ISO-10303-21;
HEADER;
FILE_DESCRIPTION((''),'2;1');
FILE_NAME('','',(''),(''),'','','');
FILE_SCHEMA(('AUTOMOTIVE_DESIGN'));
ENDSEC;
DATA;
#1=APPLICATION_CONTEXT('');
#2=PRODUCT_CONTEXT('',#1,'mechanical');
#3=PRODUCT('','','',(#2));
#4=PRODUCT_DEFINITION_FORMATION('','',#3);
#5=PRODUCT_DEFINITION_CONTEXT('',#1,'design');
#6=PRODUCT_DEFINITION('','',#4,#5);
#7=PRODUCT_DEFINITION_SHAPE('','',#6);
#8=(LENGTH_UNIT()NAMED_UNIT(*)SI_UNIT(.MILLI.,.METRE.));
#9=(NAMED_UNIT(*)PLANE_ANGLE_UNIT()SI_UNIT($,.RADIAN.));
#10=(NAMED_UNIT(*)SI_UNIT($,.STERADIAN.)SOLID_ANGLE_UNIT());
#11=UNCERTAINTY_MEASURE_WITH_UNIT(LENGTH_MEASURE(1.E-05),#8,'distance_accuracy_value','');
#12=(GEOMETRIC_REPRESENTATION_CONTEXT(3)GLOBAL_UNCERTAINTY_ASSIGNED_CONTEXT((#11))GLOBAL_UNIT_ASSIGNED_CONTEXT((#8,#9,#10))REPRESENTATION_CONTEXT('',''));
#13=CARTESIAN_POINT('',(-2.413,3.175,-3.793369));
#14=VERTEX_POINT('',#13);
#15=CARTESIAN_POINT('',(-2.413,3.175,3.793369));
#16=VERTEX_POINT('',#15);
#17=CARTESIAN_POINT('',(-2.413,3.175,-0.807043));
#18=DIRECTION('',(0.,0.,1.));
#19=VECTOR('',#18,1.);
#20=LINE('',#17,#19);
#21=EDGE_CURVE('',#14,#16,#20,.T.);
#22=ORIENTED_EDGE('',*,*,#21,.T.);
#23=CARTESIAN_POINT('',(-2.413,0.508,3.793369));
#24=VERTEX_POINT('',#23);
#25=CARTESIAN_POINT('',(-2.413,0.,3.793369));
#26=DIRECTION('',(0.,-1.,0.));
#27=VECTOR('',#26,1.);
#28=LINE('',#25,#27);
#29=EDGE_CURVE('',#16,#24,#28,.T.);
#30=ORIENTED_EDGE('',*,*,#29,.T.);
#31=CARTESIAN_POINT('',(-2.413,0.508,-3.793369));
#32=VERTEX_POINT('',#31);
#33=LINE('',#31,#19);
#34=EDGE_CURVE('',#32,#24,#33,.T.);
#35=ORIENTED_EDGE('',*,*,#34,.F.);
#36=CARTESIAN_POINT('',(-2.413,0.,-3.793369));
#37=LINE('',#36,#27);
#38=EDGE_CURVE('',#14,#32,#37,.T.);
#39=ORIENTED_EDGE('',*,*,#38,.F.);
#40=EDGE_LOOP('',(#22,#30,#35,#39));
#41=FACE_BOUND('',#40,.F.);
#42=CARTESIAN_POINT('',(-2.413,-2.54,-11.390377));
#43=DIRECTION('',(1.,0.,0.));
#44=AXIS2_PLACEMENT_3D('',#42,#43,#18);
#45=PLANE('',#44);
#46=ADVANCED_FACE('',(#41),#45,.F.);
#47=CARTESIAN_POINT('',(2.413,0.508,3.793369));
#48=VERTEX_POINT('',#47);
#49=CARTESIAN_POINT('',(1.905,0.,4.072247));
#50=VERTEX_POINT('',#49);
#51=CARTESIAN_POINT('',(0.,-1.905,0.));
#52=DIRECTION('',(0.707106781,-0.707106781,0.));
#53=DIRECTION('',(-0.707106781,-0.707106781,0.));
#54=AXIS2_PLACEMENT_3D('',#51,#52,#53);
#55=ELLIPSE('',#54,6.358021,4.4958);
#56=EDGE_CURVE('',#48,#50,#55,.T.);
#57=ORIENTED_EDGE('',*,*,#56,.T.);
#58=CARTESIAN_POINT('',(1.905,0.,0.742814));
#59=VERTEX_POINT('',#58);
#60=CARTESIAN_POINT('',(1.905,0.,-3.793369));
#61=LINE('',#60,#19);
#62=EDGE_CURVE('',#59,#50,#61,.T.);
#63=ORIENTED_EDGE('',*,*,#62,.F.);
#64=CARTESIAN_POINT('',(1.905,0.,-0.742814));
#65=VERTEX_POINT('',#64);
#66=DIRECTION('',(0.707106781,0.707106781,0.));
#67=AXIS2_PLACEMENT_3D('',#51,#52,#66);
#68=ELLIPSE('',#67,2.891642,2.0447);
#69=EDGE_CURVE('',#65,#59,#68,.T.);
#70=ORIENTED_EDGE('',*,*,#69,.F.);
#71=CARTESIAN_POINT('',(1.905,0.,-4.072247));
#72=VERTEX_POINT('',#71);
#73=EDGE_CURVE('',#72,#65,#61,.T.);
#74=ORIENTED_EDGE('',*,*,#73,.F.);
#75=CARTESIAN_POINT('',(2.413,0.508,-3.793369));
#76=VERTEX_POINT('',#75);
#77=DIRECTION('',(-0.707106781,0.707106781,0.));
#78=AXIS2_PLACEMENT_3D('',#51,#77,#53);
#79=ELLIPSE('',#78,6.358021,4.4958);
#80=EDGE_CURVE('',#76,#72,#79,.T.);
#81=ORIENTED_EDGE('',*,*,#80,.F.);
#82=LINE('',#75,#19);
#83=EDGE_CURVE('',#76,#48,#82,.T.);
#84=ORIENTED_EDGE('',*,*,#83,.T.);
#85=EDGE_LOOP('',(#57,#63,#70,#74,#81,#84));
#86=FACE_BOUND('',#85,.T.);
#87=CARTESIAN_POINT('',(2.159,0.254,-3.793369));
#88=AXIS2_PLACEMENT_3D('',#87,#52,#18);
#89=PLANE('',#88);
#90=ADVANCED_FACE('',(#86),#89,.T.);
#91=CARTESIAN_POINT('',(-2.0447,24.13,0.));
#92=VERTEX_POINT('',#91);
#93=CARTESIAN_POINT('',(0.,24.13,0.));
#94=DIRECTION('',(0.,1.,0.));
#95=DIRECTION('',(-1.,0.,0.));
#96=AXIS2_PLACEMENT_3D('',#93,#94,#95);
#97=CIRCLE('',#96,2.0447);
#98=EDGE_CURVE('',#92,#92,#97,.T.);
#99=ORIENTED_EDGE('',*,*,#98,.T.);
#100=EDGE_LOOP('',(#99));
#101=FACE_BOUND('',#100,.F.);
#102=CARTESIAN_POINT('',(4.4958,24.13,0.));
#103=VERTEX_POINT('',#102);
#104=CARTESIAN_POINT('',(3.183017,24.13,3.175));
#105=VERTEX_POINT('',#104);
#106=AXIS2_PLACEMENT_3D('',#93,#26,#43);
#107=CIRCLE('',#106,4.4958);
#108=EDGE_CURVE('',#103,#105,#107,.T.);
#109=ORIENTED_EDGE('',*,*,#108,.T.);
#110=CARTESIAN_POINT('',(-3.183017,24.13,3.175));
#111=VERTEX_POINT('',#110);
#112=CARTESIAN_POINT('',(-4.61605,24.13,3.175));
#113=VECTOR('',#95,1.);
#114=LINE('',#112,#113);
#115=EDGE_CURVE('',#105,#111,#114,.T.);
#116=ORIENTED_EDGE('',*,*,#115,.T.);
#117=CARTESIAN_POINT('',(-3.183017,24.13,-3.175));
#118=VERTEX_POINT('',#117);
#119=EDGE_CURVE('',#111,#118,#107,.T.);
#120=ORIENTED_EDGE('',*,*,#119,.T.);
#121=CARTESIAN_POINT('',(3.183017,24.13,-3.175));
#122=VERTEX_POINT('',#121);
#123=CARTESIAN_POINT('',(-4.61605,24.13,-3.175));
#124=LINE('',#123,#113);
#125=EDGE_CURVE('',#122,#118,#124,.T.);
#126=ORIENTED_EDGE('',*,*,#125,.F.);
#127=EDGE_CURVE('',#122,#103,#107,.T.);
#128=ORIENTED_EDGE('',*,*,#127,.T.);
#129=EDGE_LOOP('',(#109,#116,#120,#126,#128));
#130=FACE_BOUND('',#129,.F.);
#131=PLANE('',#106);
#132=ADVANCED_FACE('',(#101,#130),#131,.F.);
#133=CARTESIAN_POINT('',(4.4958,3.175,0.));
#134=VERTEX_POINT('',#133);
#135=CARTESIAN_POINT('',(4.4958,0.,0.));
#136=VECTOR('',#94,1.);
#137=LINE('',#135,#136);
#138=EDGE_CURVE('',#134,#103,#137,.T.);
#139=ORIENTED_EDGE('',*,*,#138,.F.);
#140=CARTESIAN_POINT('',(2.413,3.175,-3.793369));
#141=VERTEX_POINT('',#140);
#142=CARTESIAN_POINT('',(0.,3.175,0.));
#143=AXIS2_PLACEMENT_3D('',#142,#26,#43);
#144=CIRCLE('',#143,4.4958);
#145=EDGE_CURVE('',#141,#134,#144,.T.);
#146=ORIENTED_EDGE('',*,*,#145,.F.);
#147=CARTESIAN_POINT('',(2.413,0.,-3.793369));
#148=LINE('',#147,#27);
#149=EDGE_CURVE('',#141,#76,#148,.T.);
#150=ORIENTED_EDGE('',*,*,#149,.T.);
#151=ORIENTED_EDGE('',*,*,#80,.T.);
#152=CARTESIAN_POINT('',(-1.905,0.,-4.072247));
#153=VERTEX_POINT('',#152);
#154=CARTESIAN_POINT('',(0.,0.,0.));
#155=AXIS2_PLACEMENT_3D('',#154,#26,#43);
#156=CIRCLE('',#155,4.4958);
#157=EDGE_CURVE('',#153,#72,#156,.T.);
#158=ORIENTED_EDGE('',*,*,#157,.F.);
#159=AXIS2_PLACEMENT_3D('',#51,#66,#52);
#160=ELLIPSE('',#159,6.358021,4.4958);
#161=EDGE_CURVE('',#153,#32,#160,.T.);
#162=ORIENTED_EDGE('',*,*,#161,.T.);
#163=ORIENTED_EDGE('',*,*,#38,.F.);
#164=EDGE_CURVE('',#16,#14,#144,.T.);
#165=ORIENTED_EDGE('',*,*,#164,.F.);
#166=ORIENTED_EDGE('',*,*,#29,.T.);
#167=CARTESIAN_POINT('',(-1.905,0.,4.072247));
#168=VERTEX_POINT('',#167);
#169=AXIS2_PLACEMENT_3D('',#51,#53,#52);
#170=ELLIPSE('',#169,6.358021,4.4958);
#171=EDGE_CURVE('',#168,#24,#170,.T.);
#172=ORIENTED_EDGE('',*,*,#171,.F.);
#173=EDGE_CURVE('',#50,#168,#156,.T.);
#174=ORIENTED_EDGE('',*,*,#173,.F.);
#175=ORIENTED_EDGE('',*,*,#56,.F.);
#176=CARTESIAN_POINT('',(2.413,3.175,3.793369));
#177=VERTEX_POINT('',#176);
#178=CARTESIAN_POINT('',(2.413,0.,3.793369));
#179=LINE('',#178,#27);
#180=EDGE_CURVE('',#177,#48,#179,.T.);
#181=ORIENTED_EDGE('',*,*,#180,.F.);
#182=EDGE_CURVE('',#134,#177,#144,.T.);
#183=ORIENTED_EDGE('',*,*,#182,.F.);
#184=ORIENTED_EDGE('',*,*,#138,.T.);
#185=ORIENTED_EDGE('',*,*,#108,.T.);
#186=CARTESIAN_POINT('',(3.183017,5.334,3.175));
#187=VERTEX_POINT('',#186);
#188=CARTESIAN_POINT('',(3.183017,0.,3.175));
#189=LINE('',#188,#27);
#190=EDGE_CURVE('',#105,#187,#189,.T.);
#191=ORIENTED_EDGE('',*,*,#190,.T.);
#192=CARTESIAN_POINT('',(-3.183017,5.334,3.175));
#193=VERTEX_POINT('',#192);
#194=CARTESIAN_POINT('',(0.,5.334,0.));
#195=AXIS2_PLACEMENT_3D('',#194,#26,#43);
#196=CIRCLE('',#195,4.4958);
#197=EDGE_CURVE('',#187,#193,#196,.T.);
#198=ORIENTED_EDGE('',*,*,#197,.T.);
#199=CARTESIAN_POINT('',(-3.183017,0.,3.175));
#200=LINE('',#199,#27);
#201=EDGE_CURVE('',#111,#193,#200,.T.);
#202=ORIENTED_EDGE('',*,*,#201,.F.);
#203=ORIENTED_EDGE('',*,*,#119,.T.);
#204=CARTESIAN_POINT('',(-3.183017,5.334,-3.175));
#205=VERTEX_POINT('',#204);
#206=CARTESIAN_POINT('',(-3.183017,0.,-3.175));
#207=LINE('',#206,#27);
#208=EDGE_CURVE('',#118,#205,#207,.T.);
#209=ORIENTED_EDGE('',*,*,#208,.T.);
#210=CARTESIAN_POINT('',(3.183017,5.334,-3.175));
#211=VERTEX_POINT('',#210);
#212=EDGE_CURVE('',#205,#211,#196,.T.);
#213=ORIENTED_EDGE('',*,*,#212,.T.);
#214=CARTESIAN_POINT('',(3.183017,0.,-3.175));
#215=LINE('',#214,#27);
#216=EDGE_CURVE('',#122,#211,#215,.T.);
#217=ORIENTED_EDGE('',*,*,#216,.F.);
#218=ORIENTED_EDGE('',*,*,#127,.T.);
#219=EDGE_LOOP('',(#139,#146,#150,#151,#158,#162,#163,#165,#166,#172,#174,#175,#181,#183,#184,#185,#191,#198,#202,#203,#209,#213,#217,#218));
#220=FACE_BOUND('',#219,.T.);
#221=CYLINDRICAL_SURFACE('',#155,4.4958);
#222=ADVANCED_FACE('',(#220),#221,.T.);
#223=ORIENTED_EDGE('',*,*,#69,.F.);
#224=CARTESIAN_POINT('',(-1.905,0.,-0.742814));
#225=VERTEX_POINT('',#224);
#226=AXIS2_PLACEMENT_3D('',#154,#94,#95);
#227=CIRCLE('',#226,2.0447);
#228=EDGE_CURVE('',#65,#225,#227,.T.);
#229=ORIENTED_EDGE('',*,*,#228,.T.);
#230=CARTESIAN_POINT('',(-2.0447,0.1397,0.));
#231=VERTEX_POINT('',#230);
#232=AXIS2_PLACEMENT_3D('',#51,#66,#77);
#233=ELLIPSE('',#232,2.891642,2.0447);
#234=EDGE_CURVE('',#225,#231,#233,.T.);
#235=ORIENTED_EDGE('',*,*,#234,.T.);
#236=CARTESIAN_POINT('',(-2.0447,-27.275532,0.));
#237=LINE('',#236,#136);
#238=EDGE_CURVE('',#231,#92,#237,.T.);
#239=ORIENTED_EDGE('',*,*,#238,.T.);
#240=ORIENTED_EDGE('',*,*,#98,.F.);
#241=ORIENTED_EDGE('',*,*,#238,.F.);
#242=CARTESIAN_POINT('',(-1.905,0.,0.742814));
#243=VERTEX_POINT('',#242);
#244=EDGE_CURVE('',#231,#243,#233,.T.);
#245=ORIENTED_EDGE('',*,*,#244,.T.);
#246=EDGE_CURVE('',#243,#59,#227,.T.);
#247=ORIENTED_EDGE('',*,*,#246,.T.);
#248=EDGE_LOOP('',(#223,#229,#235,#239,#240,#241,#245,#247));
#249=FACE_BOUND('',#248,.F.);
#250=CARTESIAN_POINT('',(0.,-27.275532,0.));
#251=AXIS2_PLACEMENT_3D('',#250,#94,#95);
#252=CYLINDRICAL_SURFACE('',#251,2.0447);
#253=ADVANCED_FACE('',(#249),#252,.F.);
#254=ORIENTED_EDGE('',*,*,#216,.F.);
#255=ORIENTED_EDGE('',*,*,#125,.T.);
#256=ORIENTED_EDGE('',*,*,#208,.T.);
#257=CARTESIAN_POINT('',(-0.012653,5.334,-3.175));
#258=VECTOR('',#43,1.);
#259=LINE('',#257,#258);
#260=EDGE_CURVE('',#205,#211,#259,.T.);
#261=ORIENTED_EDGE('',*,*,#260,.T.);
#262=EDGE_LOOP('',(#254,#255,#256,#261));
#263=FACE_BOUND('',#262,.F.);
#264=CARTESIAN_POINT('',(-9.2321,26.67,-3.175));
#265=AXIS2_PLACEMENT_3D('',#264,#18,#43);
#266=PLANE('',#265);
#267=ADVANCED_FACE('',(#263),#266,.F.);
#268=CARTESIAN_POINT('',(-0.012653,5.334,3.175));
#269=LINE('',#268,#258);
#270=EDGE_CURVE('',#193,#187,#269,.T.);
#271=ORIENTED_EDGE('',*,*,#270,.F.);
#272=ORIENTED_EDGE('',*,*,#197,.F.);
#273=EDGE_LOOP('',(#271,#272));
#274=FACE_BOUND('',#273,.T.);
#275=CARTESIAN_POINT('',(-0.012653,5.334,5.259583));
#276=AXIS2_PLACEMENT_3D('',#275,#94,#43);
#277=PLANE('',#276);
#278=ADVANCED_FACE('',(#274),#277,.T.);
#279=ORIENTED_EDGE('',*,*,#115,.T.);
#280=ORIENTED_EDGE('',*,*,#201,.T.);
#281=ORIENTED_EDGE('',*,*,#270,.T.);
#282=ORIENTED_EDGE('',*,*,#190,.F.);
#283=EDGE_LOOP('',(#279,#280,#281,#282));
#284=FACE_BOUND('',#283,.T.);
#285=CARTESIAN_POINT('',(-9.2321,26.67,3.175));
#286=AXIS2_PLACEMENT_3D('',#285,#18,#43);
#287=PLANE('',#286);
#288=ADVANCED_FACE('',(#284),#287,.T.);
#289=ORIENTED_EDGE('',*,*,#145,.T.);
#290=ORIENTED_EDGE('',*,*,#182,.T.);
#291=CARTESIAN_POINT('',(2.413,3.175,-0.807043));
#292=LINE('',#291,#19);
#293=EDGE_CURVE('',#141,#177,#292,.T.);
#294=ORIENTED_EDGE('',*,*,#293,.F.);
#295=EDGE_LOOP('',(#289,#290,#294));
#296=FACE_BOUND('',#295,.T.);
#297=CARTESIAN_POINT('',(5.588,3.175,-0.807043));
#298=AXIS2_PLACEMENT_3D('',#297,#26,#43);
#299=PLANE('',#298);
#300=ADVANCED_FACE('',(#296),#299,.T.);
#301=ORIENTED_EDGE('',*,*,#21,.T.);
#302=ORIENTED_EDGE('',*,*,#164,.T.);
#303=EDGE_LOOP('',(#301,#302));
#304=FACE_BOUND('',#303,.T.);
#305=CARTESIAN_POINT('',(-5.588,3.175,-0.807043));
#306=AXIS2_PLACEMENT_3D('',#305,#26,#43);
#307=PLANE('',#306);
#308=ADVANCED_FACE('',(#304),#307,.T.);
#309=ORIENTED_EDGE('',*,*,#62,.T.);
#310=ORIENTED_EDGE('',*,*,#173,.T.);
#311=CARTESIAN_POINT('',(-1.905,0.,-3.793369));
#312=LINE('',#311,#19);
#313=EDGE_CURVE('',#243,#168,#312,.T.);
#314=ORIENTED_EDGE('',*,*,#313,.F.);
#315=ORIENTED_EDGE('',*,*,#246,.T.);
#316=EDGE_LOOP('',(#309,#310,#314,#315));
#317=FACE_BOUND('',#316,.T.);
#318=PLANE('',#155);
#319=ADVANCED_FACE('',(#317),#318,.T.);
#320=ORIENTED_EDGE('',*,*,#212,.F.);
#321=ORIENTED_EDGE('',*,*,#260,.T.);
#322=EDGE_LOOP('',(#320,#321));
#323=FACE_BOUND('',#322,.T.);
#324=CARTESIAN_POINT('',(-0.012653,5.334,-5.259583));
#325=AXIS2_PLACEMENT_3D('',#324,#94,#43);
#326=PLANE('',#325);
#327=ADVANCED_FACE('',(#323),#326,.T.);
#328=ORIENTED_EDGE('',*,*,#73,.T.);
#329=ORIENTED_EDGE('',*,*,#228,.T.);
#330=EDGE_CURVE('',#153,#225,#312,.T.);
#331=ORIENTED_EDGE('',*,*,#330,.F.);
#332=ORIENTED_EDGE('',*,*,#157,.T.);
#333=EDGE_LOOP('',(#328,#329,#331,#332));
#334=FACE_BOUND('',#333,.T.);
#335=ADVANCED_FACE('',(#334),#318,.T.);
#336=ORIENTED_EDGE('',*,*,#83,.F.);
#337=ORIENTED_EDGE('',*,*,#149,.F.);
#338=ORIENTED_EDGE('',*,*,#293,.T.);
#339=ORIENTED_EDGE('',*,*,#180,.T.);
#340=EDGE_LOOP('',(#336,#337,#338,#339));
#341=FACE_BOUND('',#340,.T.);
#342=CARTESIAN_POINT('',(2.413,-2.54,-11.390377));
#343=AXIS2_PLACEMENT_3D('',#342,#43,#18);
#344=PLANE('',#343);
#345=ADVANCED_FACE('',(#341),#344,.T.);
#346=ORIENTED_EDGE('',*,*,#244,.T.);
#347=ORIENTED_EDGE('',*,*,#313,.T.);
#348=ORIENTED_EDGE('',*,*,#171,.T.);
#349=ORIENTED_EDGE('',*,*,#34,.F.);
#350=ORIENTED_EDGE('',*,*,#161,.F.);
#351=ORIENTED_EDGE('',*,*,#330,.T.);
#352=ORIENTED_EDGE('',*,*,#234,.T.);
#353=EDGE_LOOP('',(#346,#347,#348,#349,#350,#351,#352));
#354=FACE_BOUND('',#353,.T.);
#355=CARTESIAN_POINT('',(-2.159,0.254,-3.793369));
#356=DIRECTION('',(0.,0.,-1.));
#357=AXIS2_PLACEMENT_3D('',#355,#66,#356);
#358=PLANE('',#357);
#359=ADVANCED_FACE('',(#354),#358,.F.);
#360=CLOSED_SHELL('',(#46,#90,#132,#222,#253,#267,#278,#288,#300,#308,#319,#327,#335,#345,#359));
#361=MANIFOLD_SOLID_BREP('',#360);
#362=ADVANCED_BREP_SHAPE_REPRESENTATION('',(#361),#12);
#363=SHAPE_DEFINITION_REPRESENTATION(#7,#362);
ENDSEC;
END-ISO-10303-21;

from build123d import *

# Parameters (mm, degrees)
F0_R     = 4.4958
F1_DEPTH = 24.13
F3_W     = 6.35
F3_H     = 21.166668
F4_DEPTH = 5.715
F5_SIZE  = 0.508
F7_W     = 18.438894
F7_H     = 4.169167
F8_DEPTH = 21.336
F10_D    = 4.0894


with BuildPart() as f1:
    # F0 (on Front) → F1 (new body)
    with BuildSketch(Plane.XZ):
        Circle(F0_R)
    extrude(amount=-F1_DEPTH)

    # F3 (on offset) → F4 (cut)
    with BuildSketch(Plane.XZ.offset(2.54)):
        with Locations((-5.588, -0.807043)):
            Rectangle(F3_W, F3_H)
        with Locations((5.588, -0.807043)):
            Rectangle(F3_W, F3_H)
    extrude(amount=-F4_DEPTH, mode=Mode.SUBTRACT)

    # F5
    f5_edges = [f1.edges().sort_by_distance(p)[0] for p in [
        (-2.413, 0, 0),
        (2.413, 0, 0),
    ]]
    chamfer(f5_edges, length=F5_SIZE)

    # F7 (on offset) → F8 (cut)
    with BuildSketch(Plane(origin=(0, 26.67, 0), x_dir=(1, 0, 0), z_dir=(0, 1, 0))):
        with Locations((-0.012653, 5.259583)):
            Rectangle(F7_W, F7_H)
        with Locations((-0.012653, -5.259583)):
            Rectangle(F7_W, F7_H)
    extrude(amount=-F8_DEPTH, mode=Mode.SUBTRACT)

    # F10 (through all)
    with Locations(Plane.XZ):
        with Locations((0, 0)):
            Hole(F10_D / 2)


solid = f1.part
